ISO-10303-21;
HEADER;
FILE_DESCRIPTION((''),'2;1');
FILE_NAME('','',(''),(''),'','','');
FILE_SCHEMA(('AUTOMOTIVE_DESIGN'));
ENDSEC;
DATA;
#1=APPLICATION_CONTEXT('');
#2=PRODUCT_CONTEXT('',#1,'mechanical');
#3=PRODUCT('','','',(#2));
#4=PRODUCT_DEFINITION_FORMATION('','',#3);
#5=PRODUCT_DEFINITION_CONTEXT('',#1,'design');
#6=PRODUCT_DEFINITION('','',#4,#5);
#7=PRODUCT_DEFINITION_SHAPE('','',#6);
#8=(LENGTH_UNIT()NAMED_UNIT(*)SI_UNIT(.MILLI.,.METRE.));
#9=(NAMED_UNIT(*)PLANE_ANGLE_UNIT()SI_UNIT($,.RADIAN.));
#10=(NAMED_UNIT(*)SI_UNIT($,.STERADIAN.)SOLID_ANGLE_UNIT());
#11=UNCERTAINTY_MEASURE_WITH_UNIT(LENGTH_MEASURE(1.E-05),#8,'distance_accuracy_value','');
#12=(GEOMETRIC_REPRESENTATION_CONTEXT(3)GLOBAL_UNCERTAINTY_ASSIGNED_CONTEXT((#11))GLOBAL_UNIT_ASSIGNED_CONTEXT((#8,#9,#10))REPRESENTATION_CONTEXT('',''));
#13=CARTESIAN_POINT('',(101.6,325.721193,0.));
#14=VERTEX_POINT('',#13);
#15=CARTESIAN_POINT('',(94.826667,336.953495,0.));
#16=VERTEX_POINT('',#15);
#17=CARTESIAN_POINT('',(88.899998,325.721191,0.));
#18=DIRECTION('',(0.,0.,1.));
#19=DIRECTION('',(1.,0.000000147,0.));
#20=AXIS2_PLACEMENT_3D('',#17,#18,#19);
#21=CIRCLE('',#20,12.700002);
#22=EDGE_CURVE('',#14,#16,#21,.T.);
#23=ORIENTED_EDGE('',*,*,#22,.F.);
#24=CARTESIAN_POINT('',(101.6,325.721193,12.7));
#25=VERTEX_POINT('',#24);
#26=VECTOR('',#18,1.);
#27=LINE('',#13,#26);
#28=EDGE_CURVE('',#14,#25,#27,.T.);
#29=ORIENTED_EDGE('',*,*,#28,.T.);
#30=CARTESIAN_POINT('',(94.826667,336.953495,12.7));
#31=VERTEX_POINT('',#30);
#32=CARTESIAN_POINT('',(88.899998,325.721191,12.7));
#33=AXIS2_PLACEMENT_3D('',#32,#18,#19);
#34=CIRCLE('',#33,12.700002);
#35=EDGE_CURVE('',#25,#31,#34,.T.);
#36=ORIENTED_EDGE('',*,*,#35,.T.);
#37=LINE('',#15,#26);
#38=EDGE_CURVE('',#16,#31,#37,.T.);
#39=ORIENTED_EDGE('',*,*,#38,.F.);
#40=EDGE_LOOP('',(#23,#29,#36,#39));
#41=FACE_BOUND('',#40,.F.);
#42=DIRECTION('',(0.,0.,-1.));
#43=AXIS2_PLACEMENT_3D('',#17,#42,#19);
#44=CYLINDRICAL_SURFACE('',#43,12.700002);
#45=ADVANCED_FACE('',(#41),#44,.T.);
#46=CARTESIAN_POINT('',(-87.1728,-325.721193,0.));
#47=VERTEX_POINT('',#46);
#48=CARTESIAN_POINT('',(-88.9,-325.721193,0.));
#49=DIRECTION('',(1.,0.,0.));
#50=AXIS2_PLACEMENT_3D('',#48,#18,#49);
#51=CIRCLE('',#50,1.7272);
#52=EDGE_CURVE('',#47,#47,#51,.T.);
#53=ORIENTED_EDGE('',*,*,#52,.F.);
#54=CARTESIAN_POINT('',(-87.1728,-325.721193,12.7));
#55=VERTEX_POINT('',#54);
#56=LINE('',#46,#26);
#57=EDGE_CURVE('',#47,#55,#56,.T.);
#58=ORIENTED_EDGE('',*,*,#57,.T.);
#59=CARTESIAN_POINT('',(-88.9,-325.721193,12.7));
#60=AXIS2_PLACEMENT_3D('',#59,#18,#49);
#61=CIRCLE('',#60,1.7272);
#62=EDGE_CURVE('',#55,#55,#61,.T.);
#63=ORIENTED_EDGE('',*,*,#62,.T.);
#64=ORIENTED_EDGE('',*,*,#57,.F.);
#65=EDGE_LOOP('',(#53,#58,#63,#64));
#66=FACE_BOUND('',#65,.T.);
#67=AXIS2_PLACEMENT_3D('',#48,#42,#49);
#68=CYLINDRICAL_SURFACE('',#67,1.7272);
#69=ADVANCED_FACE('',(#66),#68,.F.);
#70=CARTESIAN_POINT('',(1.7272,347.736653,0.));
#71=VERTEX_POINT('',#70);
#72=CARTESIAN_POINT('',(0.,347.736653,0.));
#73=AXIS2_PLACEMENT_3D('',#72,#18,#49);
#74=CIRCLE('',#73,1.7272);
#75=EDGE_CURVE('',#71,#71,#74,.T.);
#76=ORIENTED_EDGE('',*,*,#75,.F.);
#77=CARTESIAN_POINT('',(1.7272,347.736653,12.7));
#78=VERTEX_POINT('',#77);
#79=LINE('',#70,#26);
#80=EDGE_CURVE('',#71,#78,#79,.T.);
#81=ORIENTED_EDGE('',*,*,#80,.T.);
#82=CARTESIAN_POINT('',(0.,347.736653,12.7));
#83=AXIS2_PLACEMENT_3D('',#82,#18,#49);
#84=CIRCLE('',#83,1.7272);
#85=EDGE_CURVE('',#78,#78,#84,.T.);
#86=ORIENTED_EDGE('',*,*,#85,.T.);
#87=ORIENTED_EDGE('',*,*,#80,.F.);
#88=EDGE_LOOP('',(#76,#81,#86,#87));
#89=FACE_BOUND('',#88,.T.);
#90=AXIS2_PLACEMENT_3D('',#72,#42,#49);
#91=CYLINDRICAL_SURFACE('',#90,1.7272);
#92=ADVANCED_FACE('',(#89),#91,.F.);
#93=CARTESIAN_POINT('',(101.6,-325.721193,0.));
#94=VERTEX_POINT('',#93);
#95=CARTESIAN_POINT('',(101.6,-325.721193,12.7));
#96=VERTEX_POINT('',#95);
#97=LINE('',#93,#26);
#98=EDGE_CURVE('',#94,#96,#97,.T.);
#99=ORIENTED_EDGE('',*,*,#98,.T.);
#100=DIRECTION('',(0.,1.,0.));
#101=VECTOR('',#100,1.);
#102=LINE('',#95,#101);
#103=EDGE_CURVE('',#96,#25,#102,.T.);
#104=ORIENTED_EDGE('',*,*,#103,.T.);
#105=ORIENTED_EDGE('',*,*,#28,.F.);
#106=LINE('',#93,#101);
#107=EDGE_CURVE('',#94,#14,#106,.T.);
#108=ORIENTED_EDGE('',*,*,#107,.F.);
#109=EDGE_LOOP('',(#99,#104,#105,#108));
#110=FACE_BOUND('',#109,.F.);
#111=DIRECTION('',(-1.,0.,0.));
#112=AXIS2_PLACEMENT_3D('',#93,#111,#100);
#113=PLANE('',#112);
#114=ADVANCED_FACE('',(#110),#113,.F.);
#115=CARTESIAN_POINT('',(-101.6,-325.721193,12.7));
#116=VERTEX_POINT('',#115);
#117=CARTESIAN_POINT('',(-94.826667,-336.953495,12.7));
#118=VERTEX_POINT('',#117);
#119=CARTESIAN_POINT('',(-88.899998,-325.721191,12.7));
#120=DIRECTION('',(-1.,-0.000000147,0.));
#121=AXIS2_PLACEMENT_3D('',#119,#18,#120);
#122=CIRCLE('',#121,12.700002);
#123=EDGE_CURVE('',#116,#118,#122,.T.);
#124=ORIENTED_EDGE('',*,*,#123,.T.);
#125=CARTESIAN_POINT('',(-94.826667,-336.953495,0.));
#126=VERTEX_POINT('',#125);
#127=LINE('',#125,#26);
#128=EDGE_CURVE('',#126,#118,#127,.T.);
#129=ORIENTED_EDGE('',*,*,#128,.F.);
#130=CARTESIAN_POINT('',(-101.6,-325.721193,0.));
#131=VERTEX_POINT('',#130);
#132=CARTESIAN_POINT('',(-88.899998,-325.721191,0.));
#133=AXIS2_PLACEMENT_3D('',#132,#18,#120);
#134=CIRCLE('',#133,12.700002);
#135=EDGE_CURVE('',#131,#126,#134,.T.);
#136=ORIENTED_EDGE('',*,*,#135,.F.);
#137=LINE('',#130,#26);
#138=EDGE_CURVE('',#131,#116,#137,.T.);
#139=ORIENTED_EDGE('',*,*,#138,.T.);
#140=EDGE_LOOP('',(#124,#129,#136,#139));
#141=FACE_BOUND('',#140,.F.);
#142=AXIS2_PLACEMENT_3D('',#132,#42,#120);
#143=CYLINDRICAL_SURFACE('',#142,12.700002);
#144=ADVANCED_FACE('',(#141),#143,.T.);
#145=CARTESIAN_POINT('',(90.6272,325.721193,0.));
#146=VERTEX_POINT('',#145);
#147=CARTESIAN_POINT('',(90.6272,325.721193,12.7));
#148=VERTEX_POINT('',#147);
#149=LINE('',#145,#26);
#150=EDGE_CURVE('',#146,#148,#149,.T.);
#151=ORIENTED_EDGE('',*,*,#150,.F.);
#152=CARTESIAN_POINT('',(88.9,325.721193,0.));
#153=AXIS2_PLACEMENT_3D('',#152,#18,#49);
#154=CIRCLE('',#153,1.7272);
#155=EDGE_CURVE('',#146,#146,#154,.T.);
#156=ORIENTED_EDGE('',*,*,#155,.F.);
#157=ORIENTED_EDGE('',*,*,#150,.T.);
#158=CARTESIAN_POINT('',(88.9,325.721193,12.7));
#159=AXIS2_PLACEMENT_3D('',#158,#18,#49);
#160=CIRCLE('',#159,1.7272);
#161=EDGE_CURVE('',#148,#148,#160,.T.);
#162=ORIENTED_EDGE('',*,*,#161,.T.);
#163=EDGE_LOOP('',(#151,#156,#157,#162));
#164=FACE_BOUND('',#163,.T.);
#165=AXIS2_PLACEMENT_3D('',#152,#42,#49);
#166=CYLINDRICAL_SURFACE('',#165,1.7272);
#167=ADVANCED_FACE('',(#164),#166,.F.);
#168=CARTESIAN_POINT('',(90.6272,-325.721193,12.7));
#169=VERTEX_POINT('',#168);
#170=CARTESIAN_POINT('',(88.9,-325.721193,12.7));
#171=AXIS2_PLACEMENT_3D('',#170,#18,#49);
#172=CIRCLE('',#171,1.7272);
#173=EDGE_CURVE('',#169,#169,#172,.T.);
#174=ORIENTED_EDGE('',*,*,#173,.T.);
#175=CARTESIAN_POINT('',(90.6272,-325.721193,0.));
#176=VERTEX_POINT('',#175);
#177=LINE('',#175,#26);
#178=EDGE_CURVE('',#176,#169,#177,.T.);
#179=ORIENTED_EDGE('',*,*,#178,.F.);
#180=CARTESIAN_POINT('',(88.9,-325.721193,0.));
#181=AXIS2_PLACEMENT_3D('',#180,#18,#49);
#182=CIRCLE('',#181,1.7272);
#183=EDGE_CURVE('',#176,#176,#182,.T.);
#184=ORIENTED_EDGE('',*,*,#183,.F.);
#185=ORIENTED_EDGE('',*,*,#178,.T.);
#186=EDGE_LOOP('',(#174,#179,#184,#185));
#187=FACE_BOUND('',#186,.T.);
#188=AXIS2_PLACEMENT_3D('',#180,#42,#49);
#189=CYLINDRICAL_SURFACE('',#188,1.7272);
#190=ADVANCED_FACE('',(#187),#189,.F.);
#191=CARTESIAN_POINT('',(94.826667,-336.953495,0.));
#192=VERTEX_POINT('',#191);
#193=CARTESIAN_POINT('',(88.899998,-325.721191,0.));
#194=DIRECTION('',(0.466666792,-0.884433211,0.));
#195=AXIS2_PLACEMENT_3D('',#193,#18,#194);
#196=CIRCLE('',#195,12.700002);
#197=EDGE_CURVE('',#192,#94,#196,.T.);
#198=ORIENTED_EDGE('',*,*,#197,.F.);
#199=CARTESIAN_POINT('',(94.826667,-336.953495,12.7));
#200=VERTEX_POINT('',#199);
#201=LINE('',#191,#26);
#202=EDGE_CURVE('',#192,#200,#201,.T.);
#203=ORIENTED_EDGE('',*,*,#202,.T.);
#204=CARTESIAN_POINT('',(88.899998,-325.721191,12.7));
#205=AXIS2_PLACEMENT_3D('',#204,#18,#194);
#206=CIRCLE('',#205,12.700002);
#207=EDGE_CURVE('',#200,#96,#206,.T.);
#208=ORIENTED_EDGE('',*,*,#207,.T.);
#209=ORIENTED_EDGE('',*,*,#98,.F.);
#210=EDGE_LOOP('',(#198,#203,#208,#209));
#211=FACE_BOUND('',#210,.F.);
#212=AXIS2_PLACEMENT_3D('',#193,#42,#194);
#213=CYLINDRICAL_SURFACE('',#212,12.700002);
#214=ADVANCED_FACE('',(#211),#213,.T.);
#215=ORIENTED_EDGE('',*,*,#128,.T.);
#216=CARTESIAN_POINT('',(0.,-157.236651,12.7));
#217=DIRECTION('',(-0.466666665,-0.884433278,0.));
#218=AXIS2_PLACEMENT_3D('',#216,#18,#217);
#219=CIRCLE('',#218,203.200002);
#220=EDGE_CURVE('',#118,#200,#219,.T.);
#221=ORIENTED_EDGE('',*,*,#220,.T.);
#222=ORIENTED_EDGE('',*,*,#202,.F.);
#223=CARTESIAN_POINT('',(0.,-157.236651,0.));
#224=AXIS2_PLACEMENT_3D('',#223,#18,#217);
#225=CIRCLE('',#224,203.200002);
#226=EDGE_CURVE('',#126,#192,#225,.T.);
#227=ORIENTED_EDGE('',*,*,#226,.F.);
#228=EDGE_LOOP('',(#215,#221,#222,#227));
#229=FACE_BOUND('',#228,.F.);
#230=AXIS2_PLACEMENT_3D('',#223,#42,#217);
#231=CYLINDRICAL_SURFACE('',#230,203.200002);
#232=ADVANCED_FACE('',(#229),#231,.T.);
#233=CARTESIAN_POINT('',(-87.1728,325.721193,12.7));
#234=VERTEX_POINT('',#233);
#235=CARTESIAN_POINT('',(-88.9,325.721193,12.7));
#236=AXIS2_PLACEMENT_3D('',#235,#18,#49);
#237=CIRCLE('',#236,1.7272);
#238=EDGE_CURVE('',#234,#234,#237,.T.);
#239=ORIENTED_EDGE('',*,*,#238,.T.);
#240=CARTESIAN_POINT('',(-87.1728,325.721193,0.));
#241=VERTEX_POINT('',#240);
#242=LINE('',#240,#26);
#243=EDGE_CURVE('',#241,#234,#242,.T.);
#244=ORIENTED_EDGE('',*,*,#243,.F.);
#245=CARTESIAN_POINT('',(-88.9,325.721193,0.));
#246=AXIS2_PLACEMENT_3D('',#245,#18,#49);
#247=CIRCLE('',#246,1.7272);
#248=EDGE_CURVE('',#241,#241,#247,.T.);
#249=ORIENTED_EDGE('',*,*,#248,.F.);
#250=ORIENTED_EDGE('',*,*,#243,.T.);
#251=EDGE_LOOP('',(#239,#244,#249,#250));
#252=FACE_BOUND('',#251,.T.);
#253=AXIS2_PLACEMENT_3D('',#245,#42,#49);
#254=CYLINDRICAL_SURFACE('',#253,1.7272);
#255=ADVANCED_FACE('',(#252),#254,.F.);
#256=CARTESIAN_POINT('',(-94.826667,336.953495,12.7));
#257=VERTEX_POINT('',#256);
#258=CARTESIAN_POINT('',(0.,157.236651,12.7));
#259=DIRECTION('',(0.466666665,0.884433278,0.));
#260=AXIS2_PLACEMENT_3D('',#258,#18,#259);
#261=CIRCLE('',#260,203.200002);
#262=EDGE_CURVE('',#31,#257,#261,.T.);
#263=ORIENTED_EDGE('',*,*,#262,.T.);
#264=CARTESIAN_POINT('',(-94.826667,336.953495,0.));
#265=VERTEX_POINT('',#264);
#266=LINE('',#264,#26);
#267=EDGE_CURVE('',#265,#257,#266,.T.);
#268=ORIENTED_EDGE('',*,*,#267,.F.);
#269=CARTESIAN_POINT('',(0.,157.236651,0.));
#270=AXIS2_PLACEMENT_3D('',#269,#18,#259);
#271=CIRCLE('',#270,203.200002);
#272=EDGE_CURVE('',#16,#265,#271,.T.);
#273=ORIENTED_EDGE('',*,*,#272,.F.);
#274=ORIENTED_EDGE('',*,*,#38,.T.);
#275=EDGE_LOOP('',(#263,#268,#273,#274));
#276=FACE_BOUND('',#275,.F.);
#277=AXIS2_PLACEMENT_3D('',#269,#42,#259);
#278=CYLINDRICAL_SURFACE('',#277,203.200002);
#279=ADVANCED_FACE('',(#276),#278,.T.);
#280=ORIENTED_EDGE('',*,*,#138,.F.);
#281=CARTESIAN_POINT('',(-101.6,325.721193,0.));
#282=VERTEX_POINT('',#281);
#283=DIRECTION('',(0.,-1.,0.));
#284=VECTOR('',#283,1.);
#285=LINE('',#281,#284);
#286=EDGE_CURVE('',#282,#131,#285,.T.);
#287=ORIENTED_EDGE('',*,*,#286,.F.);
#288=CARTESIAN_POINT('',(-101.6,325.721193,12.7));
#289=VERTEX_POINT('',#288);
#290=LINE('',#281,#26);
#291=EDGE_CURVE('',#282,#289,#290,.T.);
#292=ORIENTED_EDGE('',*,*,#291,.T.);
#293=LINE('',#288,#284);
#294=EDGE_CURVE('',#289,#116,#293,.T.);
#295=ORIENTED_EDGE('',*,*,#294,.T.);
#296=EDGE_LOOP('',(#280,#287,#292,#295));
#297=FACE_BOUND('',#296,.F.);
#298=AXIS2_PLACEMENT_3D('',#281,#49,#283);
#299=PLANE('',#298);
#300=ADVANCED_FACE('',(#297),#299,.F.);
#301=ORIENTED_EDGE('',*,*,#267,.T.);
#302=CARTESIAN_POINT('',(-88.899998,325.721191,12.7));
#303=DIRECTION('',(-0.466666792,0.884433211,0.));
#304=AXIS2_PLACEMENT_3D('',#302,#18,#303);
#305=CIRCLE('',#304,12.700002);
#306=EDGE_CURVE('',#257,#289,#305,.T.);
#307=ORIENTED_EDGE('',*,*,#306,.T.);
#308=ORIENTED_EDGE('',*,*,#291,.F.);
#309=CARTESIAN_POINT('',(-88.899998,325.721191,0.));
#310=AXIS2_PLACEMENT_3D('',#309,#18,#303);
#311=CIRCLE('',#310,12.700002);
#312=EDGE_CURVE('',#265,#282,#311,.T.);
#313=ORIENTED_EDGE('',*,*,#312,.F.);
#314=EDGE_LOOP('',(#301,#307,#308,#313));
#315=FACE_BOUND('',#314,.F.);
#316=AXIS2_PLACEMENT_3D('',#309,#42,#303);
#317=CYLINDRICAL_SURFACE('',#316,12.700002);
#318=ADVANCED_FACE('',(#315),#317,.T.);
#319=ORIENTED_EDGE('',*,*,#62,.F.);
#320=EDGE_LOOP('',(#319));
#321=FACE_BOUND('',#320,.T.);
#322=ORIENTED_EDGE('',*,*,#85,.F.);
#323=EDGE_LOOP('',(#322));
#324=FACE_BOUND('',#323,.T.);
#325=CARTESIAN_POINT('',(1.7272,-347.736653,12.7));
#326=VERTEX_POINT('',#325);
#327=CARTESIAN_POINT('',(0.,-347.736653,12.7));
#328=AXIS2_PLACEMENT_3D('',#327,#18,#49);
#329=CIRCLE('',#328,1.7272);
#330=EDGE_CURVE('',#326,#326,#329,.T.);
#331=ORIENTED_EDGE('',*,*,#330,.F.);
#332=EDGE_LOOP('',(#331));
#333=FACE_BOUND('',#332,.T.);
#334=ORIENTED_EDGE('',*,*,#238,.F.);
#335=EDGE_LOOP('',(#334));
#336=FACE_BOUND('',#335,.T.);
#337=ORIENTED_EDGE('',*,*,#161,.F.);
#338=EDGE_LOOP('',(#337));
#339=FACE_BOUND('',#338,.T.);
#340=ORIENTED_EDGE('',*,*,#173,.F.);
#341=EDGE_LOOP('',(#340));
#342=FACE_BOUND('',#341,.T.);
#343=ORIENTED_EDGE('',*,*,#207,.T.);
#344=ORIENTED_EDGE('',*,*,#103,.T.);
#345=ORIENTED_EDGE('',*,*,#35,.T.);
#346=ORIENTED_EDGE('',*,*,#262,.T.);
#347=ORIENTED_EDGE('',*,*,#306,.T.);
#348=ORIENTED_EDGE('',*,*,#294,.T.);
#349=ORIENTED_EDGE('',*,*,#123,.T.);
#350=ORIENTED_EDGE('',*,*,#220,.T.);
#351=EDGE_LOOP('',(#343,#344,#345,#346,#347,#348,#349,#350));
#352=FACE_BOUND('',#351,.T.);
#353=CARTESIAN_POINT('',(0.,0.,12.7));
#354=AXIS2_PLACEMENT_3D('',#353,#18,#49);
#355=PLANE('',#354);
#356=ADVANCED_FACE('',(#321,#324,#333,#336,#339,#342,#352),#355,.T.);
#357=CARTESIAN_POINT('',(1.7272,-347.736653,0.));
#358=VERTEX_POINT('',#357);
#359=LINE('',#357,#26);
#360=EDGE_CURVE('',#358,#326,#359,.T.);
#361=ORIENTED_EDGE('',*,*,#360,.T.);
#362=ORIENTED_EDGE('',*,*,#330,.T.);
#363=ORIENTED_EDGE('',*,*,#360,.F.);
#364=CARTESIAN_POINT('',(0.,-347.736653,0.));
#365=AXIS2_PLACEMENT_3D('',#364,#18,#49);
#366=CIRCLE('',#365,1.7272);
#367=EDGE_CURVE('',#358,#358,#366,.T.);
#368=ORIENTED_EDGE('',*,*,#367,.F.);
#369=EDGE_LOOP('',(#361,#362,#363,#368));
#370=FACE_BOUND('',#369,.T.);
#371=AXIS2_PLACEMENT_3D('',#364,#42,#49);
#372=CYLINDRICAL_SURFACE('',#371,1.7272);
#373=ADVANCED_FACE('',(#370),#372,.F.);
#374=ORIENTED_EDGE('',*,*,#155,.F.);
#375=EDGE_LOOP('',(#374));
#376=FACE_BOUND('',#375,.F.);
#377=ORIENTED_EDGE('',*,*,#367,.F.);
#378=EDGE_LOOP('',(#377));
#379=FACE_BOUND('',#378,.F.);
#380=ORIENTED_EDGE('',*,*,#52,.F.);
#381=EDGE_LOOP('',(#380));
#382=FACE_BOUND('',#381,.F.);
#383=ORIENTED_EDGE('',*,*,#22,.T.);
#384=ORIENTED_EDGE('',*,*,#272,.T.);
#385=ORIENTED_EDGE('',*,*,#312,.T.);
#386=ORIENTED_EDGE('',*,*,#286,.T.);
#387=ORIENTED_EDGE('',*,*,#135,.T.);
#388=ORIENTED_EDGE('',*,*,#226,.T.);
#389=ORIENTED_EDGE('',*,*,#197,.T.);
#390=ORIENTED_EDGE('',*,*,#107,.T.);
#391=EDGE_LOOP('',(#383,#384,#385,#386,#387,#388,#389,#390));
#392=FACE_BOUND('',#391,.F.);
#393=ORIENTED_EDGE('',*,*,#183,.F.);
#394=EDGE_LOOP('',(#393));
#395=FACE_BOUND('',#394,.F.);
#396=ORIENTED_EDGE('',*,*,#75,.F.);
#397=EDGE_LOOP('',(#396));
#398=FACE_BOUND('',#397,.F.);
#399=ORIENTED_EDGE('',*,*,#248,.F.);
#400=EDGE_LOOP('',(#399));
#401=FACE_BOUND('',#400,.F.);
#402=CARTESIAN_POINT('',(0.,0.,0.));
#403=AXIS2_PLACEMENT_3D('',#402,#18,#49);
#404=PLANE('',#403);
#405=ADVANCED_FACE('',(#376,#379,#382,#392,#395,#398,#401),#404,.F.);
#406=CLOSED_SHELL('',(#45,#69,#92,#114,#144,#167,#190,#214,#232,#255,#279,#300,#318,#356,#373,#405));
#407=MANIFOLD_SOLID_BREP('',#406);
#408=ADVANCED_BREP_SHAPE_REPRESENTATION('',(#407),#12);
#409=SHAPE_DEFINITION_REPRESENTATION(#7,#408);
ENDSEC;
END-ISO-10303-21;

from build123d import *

# Parameters (mm, degrees)
F0_R     = 1.7272
F1_DEPTH = 12.7


with BuildPart() as f1:
    # F0 (on Top) → F1 (new body)
    with BuildSketch(Plane.XY):
        with BuildLine():
            Line((101.6, -325.721193), (101.6, 325.721193))
            ThreePointArc((101.6, 325.721193), (99.77563, 332.279444), (94.826667, 336.953495))
            ThreePointArc((94.826667, 336.953495), (0, 360.436653), (-94.826667, 336.953495))
            ThreePointArc((-94.826667, 336.953495), (-99.77563, 332.279444), (-101.6, 325.721193))
            Line((-101.6, 325.721193), (-101.6, -325.721193))
            ThreePointArc((-101.6, -325.721193), (-99.77563, -332.279444), (-94.826667, -336.953495))
            ThreePointArc((-94.826667, -336.953495), (0, -360.436653), (94.826667, -336.953495))
            ThreePointArc((94.826667, -336.953495), (99.77563, -332.279444), (101.6, -325.721193))
        make_face()
        with Locations((-88.9, -325.721193)):
            Circle(F0_R, mode=Mode.SUBTRACT)
        with Locations((0, -347.736653)):
            Circle(F0_R, mode=Mode.SUBTRACT)
        with Locations((88.9, -325.721193)):
            Circle(F0_R, mode=Mode.SUBTRACT)
        with Locations((-88.9, 325.721193)):
            Circle(F0_R, mode=Mode.SUBTRACT)
        with Locations((0, 347.736653)):
            Circle(F0_R, mode=Mode.SUBTRACT)
        with Locations((88.9, 325.721193)):
            Circle(F0_R, mode=Mode.SUBTRACT)
    extrude(amount=F1_DEPTH)


solid = f1.part
